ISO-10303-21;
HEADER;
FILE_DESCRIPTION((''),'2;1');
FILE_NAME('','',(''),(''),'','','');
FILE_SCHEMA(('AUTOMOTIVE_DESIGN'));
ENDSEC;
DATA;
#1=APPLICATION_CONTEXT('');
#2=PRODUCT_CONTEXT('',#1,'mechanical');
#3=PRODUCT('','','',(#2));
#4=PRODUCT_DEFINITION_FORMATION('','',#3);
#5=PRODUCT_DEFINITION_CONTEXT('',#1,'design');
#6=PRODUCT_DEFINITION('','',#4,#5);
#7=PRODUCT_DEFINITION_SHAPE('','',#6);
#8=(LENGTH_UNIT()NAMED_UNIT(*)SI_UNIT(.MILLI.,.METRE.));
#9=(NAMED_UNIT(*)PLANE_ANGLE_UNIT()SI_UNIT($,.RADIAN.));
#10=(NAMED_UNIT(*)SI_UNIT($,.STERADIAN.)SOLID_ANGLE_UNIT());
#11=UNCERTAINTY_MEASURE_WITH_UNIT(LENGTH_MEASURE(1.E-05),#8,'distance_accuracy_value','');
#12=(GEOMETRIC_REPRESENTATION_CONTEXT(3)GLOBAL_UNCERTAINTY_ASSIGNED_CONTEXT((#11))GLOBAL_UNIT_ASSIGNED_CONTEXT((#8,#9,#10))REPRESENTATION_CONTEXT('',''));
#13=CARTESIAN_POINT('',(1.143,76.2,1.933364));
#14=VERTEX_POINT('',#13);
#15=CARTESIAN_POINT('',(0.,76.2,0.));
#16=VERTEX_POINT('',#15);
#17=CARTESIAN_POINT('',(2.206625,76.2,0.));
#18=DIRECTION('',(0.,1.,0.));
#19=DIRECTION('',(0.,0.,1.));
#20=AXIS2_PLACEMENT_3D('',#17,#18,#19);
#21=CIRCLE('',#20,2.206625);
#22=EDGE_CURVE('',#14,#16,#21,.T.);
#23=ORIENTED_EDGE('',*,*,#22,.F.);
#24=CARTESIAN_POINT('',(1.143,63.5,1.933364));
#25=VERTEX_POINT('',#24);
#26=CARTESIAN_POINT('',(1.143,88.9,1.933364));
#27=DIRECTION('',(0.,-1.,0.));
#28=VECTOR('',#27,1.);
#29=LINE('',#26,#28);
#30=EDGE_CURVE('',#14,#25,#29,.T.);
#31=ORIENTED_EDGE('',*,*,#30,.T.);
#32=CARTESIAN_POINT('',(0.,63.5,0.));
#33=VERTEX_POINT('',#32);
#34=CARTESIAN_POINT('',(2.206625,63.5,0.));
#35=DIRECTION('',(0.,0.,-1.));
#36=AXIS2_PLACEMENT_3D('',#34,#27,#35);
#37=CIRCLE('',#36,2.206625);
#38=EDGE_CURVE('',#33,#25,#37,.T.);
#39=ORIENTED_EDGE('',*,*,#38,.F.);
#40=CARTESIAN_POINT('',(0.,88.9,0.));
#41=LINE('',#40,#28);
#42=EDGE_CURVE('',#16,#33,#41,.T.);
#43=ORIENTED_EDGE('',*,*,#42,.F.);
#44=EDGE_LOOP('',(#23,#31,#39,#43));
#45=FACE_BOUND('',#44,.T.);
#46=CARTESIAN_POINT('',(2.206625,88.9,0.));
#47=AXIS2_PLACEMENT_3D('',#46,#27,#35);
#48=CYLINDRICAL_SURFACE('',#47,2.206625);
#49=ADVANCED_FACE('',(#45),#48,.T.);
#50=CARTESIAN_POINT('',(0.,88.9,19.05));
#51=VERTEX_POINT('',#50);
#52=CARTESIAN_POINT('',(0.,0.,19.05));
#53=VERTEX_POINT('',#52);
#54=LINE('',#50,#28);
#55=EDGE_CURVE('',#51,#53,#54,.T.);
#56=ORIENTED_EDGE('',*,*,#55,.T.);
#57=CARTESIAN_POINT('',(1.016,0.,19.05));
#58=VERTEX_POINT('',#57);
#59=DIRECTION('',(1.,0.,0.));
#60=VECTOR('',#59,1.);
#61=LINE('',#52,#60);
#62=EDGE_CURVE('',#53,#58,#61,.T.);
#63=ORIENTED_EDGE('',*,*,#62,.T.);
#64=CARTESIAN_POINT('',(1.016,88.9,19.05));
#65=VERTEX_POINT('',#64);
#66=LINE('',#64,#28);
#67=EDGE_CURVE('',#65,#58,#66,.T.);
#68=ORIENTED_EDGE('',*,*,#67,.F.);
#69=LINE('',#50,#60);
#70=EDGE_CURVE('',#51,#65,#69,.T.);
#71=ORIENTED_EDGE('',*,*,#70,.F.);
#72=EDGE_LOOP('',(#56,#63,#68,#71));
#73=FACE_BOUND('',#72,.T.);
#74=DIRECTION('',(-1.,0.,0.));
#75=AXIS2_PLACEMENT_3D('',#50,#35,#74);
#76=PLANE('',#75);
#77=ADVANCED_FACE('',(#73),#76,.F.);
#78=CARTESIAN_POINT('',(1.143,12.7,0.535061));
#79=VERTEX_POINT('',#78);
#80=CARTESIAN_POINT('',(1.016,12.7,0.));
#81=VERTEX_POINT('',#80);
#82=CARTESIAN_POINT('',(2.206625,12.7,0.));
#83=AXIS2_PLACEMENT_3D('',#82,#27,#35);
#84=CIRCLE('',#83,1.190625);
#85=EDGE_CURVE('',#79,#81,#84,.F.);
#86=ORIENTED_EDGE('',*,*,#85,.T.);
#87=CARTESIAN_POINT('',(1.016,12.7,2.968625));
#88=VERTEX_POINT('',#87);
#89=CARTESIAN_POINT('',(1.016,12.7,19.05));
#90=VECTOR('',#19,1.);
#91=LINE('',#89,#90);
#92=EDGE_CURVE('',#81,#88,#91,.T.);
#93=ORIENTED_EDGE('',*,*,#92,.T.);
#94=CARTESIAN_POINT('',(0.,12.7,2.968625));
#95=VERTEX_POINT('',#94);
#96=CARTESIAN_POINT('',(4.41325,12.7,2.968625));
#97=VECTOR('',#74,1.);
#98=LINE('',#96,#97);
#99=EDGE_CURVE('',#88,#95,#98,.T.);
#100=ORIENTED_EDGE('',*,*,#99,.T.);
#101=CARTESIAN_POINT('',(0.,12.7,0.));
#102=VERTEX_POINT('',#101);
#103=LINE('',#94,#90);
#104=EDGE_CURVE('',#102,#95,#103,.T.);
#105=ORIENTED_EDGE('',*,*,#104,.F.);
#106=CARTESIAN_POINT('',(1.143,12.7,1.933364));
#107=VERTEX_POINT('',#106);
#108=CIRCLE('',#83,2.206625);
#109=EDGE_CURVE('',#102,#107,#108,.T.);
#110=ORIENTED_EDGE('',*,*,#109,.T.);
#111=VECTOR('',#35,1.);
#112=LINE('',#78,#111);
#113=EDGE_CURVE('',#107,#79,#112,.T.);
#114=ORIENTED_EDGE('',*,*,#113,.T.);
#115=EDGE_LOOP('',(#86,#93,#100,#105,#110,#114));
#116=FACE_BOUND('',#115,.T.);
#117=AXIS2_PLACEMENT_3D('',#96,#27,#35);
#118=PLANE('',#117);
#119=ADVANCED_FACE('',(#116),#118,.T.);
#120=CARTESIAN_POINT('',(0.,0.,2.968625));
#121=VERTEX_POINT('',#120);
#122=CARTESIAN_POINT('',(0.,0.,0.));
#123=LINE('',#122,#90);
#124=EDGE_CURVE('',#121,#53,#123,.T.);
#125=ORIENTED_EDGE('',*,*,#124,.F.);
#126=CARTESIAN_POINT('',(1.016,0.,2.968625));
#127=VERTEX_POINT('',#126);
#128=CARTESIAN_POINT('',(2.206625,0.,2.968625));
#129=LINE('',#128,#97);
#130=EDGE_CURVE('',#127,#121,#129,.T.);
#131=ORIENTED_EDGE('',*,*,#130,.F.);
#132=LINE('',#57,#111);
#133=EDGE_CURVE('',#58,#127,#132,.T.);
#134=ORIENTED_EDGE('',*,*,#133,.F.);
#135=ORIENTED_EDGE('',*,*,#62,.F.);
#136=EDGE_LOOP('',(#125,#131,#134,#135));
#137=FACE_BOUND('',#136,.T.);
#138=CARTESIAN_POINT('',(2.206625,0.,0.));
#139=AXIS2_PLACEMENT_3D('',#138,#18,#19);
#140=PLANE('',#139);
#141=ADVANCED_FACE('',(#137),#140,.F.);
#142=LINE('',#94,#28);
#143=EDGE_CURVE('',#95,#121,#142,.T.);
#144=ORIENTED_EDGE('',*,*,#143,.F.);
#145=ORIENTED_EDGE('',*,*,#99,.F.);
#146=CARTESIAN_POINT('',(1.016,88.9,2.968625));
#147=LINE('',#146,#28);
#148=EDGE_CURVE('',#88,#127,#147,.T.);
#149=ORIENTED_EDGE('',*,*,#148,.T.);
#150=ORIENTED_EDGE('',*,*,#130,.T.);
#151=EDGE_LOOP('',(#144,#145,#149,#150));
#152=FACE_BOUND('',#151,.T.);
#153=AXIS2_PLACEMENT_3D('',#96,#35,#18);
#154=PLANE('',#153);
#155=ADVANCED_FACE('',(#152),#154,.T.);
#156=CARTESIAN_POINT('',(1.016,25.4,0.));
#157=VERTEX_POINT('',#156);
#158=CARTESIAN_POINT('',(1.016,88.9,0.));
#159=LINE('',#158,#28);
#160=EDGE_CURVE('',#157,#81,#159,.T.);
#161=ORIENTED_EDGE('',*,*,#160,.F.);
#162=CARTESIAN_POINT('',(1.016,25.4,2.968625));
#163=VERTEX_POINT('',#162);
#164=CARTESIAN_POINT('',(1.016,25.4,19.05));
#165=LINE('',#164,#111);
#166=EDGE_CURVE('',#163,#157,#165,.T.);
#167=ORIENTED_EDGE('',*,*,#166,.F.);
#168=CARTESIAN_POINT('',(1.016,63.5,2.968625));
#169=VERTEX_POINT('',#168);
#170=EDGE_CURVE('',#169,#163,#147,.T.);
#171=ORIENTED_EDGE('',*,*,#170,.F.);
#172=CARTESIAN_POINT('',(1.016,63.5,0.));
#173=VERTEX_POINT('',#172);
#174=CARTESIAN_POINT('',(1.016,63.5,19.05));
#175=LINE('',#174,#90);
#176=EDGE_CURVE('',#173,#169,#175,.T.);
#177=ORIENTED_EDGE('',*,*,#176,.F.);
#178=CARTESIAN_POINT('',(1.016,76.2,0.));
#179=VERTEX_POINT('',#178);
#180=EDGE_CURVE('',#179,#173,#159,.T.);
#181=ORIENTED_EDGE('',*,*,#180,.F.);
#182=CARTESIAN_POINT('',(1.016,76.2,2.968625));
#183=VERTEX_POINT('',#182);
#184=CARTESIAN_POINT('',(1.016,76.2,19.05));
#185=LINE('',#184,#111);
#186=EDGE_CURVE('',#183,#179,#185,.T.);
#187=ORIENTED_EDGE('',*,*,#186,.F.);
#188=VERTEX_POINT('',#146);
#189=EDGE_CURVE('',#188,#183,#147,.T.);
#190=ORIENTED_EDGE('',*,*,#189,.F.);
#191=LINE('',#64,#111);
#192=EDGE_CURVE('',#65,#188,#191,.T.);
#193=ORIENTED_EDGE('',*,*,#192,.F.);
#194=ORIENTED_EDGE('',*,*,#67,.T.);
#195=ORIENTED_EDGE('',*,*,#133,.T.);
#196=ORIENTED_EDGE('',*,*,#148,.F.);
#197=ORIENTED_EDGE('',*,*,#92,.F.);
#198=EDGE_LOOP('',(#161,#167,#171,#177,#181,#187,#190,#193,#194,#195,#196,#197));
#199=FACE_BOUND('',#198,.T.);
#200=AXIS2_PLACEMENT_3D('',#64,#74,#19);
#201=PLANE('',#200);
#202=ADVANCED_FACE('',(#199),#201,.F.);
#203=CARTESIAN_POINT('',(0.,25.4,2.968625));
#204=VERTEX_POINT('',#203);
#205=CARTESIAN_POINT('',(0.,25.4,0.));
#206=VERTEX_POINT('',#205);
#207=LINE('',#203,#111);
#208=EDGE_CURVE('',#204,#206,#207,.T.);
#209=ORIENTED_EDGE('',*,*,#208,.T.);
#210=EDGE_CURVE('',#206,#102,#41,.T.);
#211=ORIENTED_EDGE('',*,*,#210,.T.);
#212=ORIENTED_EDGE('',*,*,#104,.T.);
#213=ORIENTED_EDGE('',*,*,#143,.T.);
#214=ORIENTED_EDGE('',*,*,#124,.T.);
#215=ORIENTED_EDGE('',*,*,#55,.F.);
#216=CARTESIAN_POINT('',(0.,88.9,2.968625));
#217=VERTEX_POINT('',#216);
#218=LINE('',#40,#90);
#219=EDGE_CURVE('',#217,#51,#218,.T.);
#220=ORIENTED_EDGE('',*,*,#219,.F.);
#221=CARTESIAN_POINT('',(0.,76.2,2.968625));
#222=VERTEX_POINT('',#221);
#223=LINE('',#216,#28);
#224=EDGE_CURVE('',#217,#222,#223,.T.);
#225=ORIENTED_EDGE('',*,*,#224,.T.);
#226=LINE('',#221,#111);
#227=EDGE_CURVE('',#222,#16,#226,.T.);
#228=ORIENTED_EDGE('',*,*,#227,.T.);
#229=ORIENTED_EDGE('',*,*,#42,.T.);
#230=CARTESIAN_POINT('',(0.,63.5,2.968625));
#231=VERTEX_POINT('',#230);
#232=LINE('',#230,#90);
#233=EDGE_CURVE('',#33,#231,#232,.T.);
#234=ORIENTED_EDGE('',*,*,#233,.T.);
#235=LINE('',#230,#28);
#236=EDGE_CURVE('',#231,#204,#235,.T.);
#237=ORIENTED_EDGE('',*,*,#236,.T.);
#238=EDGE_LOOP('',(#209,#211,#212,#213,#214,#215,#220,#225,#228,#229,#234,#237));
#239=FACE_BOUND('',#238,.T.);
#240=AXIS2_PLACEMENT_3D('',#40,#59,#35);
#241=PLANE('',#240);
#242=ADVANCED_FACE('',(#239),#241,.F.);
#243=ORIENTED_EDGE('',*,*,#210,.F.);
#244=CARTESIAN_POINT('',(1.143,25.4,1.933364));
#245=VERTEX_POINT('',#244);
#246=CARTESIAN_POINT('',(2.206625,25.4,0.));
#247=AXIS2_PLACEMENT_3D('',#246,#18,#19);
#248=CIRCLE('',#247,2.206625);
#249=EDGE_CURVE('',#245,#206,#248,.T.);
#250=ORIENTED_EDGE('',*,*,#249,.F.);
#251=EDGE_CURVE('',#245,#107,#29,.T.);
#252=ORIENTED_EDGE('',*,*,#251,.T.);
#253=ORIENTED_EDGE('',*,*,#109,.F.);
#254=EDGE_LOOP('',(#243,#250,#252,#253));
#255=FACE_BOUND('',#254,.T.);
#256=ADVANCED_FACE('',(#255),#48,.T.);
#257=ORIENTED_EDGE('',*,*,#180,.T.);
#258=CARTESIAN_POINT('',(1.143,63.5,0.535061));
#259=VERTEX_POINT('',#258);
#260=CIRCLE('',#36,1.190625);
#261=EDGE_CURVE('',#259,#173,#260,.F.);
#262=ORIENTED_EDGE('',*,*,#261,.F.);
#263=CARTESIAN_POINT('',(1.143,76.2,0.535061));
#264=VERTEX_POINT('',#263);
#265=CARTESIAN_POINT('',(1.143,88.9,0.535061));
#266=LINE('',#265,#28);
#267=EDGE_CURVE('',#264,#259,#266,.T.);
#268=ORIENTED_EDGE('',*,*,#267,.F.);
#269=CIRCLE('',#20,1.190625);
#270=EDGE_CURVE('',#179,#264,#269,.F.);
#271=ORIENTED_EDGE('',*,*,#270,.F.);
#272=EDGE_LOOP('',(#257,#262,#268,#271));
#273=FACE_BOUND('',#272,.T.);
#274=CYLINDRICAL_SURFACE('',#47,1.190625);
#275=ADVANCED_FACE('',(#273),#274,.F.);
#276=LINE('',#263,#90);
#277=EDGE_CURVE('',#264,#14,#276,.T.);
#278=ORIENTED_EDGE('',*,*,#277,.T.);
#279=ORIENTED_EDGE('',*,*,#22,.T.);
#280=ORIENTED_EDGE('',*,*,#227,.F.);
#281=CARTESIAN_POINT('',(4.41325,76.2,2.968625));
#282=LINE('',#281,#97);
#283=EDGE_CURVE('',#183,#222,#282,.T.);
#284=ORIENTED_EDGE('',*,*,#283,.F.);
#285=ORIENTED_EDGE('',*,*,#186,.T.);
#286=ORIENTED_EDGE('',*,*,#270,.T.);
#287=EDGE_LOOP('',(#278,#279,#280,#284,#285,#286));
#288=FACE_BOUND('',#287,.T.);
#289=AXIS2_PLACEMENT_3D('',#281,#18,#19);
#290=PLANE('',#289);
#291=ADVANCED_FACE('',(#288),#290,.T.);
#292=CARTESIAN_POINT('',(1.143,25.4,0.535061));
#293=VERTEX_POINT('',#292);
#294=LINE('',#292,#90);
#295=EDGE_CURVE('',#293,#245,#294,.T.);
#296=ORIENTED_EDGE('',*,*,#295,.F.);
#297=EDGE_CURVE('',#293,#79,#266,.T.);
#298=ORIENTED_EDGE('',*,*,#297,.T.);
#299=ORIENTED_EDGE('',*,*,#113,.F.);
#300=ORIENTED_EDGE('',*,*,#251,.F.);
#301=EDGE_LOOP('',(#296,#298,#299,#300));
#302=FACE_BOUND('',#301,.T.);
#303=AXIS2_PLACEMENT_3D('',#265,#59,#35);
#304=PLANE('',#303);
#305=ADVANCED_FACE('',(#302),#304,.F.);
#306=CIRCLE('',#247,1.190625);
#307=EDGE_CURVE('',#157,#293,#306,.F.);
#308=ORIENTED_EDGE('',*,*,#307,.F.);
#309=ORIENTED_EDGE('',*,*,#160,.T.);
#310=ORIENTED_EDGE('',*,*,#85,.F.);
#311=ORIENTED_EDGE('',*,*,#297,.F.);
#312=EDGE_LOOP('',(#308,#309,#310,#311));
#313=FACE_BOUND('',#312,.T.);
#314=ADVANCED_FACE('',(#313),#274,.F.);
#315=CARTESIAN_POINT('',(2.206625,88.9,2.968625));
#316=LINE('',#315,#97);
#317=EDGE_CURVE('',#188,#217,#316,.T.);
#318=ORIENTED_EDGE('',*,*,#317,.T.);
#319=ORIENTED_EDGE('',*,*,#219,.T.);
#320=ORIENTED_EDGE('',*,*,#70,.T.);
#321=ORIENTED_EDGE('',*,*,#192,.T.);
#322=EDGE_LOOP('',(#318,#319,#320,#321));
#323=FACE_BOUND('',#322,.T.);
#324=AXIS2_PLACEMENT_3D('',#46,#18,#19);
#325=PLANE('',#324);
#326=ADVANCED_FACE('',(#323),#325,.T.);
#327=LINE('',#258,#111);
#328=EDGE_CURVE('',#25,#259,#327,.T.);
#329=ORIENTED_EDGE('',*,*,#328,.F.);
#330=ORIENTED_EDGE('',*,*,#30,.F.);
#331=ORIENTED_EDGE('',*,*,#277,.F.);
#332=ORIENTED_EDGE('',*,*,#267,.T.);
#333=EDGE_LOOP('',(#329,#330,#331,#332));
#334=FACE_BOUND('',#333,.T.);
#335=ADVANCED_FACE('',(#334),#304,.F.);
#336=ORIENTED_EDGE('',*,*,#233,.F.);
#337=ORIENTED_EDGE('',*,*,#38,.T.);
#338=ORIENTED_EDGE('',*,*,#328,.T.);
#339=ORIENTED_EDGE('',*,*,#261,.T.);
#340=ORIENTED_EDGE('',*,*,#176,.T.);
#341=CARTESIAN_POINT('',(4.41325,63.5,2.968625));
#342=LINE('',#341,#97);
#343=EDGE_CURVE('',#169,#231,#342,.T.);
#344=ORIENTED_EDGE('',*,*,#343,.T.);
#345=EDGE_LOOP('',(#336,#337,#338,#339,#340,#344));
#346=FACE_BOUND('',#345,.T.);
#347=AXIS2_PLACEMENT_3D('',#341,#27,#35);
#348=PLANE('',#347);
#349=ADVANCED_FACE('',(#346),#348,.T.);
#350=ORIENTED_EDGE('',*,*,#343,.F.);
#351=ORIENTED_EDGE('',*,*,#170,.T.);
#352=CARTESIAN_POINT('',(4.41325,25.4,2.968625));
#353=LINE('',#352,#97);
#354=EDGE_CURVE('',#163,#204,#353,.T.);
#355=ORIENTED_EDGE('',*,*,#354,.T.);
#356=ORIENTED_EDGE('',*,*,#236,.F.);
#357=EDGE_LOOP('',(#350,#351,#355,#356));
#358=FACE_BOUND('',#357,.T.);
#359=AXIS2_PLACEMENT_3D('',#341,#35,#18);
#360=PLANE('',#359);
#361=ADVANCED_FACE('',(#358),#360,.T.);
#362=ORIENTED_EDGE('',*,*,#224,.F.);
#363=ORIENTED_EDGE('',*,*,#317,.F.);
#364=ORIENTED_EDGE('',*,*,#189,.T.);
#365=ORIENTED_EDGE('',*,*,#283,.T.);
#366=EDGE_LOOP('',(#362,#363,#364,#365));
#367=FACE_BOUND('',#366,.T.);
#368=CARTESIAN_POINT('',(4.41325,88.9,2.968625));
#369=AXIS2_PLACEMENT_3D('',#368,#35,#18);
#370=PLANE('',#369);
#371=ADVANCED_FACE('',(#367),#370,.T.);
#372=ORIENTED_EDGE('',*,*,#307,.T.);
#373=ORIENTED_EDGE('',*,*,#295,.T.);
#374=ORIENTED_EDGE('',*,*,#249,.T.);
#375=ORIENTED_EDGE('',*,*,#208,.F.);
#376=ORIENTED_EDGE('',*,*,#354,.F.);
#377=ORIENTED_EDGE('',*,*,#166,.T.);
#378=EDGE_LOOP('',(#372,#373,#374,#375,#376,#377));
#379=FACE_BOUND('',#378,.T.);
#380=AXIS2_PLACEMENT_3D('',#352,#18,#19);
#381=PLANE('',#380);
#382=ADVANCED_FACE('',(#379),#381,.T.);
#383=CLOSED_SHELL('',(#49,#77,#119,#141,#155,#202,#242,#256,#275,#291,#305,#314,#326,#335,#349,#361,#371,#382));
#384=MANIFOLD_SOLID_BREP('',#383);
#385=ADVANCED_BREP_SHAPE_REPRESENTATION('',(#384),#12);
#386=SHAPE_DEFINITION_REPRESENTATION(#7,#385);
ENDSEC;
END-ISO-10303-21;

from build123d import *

# Parameters (mm, degrees)
BOSS_EXTRUDE2_DEPTH = 88.9
SKETCH8_W           = 5.93725
SKETCH8_H           = 12.7
CUT_EXTRUDE3_DEPTH  = 92.025212307
SKETCH10_W          = 5.93725
SKETCH10_H          = 12.7
CUT_EXTRUDE4_DEPTH  = 92.025212307


with BuildPart() as part:
    # Sketch4 → Boss-Extrude2 (new body)
    with BuildSketch(Plane(origin=(0, 0, 0), x_dir=(1, 0, 0), z_dir=(0, 1, 0))):
        with BuildLine():
            Line((0, 0), (0, -19.05))
            Line((0, -19.05), (1.016, -19.05))
            Line((1.016, -19.05), (1.016, 0))
            ThreePointArc((1.016, 0), (3.365064987, 0.274963066), (1.143, -0.535060511))
            Line((1.143, -0.535060511), (1.143, -1.933363843))
            ThreePointArc((1.143, -1.933363843), (4.106126962, 1.122980938), (0, 0))
        make_face()
    extrude(amount=BOSS_EXTRUDE2_DEPTH)

    # Sketch8 → Cut-Extrude3 (cut, through all)
    with BuildSketch(Plane(origin=(0, 0, 0), x_dir=(0, 0, -1), z_dir=(1, 0, 0))):
        with Locations((0, 6.35)):
            Rectangle(SKETCH8_W, SKETCH8_H)
        with Locations((0, 31.75)):
            Rectangle(SKETCH8_W, SKETCH8_H)
        with Locations((0, 57.15)):
            Rectangle(SKETCH8_W, SKETCH8_H)
        with Locations((0, 82.55)):
            Rectangle(SKETCH8_W, SKETCH8_H)
    extrude(amount=CUT_EXTRUDE3_DEPTH, mode=Mode.SUBTRACT)

    # Sketch10 → Cut-Extrude4 (cut, through all)
    with BuildSketch(Plane(origin=(0, 0, 0), x_dir=(0, 0, -1), z_dir=(1, 0, 0))):
        with Locations((0, 44.45)):
            Rectangle(SKETCH10_W, SKETCH10_H)
    extrude(amount=CUT_EXTRUDE4_DEPTH, mode=Mode.SUBTRACT)


solid = part.part
